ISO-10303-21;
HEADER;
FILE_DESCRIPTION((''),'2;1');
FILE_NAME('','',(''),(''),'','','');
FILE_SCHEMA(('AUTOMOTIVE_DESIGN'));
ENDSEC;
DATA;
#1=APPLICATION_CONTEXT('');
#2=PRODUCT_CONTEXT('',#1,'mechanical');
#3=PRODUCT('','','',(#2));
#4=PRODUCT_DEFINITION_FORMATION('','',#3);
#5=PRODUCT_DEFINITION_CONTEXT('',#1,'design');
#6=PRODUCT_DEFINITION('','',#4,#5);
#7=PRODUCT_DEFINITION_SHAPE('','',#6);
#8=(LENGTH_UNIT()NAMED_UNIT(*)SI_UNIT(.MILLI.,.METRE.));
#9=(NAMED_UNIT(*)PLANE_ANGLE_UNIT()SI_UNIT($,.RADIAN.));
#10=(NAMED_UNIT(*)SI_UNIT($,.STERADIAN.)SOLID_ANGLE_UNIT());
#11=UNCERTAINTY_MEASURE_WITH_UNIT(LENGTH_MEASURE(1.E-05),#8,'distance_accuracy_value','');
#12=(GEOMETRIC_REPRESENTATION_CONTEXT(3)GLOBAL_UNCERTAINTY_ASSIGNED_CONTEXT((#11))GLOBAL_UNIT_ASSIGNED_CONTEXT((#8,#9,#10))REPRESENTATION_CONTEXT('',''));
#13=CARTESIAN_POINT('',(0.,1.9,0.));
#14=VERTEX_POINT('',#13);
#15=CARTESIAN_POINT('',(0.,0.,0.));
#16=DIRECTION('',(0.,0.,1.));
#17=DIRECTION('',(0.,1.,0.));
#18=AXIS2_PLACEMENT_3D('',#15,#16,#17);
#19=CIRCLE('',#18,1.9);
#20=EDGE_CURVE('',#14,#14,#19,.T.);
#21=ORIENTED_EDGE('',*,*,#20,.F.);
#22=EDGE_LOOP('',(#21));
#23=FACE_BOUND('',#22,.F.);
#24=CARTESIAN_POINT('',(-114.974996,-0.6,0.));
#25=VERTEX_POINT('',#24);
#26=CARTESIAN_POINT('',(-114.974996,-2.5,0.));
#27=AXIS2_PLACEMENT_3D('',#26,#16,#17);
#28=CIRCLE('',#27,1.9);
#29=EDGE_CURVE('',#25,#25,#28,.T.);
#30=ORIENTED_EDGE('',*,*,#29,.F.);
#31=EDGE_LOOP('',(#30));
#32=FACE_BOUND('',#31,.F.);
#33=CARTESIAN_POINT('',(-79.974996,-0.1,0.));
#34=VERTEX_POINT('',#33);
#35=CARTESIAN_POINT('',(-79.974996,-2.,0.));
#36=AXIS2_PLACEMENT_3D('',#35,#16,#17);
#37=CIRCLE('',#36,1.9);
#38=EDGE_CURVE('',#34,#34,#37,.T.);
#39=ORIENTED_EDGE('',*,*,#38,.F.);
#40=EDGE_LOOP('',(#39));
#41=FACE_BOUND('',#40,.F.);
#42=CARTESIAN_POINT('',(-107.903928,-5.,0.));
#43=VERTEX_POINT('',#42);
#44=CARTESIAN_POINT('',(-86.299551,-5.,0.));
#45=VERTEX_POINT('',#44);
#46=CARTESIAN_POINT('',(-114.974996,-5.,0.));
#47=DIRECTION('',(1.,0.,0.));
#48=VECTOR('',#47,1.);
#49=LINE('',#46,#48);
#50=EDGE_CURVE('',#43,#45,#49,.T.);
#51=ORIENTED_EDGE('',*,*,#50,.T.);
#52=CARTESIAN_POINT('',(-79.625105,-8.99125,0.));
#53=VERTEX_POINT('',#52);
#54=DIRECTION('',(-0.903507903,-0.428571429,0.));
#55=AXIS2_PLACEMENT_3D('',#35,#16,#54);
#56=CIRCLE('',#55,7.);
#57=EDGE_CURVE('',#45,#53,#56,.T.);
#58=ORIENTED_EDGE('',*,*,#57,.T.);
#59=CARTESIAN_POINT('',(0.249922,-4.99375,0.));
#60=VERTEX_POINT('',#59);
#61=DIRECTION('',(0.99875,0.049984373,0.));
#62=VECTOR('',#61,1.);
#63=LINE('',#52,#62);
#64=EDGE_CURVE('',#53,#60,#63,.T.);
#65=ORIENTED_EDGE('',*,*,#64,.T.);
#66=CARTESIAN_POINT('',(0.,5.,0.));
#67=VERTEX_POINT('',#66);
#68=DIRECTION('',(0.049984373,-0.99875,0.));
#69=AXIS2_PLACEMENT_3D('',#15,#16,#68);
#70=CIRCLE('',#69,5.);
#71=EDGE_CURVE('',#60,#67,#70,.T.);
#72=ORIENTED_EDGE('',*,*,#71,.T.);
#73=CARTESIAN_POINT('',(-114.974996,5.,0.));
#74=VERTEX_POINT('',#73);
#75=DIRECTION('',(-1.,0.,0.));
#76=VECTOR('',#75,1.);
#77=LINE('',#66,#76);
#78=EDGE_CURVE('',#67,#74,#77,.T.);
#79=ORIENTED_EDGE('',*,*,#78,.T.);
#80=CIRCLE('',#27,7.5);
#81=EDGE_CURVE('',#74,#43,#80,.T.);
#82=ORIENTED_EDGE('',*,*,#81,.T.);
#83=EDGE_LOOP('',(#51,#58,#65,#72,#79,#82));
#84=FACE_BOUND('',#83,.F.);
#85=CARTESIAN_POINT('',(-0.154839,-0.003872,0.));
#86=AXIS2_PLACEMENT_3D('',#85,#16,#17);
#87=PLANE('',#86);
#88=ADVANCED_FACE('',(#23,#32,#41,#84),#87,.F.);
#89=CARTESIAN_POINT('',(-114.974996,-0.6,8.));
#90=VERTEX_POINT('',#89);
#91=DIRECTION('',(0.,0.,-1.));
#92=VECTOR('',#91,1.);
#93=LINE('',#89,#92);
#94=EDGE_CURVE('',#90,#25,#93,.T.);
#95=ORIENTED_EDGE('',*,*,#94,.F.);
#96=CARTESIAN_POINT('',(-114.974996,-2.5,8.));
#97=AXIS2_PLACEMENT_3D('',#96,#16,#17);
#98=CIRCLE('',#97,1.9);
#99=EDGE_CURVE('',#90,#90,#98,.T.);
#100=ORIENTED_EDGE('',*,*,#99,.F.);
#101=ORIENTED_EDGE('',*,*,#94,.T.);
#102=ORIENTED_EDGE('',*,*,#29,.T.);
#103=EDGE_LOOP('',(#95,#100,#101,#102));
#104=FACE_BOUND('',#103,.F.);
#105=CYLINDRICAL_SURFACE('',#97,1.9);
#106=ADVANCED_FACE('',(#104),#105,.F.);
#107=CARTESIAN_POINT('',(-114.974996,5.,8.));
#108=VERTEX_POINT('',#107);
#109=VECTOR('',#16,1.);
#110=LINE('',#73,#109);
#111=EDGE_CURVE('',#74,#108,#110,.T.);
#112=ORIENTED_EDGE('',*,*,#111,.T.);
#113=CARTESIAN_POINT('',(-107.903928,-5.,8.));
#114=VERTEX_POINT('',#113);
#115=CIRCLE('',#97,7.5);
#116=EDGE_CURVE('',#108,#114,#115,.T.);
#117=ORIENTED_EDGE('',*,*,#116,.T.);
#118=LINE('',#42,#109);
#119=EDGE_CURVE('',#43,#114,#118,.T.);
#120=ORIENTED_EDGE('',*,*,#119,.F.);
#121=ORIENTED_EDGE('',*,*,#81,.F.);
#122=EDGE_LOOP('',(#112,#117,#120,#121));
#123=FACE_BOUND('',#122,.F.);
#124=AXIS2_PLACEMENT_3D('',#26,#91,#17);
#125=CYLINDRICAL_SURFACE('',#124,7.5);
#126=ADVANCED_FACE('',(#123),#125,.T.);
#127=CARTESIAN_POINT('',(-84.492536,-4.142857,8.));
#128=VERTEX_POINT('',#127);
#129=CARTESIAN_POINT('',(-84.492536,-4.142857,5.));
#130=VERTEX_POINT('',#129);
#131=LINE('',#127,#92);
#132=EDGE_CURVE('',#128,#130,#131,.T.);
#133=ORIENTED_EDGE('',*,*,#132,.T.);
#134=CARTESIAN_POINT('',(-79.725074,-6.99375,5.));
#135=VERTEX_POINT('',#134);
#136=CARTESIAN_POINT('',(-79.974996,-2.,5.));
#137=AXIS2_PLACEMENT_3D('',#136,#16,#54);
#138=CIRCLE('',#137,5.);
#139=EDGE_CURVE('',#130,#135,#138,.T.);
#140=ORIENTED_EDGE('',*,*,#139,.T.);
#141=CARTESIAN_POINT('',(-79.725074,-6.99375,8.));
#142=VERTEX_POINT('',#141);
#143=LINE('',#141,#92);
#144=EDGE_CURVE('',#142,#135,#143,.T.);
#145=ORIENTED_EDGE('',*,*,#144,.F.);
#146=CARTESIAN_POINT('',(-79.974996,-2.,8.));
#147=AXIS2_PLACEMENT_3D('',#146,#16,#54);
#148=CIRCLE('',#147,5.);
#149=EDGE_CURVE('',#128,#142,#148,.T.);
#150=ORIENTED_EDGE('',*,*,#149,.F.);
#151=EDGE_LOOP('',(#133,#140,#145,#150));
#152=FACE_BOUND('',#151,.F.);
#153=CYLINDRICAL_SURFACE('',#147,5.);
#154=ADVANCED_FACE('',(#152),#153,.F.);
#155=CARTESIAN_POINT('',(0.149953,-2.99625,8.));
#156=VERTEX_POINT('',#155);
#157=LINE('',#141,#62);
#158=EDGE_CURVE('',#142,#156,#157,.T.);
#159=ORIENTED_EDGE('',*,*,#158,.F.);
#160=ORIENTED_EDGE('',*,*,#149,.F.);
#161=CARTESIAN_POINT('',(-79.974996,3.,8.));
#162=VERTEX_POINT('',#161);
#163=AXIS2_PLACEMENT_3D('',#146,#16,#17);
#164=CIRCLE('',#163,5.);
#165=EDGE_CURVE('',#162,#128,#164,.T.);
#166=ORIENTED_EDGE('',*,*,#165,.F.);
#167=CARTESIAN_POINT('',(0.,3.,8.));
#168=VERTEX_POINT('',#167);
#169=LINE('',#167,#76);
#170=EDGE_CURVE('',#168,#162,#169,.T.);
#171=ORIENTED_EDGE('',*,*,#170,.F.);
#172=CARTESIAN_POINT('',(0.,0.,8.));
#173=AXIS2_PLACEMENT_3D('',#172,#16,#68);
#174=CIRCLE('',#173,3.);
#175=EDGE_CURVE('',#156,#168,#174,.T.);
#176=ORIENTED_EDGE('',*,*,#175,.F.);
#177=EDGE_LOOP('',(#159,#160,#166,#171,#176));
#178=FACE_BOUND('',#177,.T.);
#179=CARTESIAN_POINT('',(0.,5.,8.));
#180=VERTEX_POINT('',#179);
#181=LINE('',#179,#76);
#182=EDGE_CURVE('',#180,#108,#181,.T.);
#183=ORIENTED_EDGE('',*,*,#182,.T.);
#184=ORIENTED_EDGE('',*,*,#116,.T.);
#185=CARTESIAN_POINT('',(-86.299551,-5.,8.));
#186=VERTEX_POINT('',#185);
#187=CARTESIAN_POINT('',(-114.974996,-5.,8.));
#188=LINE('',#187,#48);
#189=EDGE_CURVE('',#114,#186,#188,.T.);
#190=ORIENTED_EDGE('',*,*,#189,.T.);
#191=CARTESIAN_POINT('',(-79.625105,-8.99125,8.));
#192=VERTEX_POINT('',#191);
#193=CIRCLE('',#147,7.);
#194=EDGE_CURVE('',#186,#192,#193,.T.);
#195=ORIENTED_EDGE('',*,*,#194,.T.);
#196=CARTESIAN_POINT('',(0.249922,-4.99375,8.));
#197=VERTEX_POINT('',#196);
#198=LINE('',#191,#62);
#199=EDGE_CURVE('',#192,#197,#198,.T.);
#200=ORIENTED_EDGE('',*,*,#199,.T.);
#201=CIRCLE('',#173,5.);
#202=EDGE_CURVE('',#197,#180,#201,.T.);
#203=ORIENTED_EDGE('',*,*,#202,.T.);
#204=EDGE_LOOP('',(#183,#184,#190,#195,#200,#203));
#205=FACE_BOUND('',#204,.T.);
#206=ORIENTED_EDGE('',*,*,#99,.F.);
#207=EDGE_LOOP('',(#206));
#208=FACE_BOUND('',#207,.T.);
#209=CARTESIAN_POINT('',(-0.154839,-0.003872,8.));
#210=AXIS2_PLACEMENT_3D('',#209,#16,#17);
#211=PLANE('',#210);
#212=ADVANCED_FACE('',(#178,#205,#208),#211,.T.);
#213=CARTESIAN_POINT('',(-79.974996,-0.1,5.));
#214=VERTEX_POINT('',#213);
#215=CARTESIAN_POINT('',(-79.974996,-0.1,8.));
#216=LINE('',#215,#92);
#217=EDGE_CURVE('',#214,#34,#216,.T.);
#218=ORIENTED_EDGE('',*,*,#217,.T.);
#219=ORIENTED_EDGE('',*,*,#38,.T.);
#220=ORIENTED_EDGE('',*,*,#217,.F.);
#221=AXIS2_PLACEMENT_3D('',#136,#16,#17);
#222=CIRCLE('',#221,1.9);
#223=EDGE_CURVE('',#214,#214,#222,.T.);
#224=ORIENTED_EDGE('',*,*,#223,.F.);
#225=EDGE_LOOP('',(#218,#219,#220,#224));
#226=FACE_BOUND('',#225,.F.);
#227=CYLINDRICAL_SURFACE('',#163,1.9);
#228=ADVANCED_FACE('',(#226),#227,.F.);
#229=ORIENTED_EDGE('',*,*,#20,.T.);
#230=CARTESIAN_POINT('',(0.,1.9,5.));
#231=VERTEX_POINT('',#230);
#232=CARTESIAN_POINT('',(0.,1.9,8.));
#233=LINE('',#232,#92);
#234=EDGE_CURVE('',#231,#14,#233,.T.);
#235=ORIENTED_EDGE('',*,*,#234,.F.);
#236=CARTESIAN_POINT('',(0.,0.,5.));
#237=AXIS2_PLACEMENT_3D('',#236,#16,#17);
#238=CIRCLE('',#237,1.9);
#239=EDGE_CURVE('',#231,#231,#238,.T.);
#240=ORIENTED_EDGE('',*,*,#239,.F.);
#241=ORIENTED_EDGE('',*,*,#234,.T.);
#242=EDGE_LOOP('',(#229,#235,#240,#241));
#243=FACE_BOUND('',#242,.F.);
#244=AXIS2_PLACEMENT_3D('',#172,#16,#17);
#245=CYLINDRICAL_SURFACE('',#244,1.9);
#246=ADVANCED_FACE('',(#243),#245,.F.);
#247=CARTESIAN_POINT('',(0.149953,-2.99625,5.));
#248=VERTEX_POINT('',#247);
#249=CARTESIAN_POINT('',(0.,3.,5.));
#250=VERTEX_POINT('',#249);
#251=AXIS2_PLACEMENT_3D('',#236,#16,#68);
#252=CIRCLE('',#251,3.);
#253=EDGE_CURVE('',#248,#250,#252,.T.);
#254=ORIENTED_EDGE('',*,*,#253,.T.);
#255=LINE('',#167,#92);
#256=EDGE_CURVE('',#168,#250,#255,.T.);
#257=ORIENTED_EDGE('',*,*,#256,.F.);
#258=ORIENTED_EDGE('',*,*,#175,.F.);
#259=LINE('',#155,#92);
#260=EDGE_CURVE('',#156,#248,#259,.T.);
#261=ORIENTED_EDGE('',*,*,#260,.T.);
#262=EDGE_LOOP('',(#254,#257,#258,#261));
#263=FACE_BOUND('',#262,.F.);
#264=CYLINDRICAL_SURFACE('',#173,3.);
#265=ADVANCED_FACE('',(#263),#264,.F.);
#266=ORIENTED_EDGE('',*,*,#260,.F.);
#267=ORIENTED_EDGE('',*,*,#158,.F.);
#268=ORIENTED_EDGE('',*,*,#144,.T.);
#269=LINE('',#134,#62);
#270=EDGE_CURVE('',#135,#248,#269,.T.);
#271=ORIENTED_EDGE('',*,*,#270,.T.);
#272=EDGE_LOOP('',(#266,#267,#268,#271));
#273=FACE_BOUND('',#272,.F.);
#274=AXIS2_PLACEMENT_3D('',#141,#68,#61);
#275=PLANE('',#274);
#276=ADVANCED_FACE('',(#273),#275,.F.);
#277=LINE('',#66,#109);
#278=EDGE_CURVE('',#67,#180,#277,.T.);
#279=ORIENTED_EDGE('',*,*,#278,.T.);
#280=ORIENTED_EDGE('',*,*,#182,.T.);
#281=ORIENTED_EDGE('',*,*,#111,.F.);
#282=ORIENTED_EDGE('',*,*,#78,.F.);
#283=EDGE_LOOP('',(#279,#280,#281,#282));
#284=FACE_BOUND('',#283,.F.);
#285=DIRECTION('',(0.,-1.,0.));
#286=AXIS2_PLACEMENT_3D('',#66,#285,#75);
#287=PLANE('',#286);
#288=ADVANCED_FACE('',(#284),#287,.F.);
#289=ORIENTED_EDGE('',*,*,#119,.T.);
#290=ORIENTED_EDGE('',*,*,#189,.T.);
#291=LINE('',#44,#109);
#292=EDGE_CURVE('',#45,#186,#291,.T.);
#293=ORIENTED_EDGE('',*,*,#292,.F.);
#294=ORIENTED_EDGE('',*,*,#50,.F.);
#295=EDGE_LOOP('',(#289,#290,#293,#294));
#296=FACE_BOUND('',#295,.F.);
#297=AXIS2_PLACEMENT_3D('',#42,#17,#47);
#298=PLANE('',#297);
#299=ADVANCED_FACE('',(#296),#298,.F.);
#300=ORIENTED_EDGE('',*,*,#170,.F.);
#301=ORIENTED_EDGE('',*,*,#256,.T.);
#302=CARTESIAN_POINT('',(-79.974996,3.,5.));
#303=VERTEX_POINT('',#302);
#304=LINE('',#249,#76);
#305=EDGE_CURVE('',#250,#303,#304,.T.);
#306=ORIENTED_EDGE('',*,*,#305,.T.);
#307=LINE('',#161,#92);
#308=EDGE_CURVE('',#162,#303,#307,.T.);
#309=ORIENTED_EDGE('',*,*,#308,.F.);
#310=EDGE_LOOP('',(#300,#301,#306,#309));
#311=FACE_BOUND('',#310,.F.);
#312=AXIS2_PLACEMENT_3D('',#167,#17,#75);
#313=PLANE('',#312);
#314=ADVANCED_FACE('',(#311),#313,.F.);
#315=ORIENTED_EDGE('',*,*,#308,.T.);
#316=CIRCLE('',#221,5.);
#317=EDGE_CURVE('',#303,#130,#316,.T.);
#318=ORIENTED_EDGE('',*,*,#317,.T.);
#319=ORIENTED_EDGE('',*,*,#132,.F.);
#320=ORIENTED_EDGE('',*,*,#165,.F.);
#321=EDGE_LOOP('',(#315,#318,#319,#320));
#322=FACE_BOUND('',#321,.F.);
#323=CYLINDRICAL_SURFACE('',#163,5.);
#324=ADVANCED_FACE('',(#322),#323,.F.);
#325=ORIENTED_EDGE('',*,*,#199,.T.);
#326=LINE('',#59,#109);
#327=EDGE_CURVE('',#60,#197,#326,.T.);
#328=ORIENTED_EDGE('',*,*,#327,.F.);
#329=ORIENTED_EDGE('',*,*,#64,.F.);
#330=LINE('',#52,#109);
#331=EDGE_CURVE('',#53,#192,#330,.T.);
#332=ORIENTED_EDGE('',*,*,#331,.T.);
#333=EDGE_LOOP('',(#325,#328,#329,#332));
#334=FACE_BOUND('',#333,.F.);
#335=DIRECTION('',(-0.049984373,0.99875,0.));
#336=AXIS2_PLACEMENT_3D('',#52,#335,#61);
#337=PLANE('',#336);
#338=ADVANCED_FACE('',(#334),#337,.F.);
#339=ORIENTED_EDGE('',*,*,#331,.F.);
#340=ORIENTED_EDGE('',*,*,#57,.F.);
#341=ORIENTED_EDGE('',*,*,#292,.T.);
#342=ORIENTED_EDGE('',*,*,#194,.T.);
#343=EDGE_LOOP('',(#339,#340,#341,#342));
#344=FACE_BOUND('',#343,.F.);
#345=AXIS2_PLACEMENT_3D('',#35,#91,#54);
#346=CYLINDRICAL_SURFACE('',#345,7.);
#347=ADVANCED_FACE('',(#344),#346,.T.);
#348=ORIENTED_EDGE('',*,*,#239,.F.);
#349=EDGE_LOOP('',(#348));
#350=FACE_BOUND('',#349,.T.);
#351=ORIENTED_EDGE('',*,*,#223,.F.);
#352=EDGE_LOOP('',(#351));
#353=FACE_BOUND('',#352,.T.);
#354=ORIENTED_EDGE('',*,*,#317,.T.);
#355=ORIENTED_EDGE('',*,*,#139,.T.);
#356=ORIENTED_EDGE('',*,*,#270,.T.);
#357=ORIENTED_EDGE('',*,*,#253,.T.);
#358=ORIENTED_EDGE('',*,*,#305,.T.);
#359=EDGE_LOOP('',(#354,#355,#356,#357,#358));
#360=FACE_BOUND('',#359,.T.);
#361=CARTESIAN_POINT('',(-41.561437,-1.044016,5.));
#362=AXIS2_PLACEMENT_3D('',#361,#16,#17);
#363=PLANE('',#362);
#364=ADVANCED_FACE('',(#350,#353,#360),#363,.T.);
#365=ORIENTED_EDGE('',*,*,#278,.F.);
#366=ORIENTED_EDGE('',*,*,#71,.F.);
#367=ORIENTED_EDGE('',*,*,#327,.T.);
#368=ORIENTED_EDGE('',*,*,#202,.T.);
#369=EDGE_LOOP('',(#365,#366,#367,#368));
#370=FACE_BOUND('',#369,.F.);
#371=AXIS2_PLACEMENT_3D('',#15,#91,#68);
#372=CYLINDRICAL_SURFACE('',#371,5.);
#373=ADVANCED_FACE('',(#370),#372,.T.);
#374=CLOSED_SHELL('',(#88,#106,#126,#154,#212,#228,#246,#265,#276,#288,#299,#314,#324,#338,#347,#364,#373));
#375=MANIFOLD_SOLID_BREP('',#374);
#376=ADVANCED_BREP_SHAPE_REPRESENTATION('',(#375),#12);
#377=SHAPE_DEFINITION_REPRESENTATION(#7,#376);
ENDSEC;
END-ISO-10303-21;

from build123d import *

# Parameters (mm, degrees)
F1_DEPTH = 8
F2_R     = 1.9
F3_DEPTH = 8.001
F5_DEPTH = 3
F6_ANGLE = 90


with BuildPart() as f1:
    # F0 (on Top) → F1 (new body)
    with BuildSketch(Plane.XY):
        with BuildLine():
            ThreePointArc((-0.125, 4.9984372558), (-3.6656130115, 3.4004825025), (-4.99375, -0.2499218628))
            ThreePointArc((-4.99375, -0.2499218628), (0.125, -4.9984372558), (5, 0))
            ThreePointArc((5, 0), (3.4910600109, 3.5794552658), (-0.125, 4.9984372558))
        make_face()
        with BuildLine():
            Line((-8.99125, 79.6251054846), (-4.99375, -0.2499218628))
            ThreePointArc((-4.99375, -0.2499218628), (-3.6656130115, 3.4004825025), (-0.125, 4.9984372558))
            Line((-0.125, 4.9984372558), (-1.825, 72.9771839344))
            ThreePointArc((-1.825, 72.9771839344), (-6.7606755035, 74.8431378764), (-8.99125, 79.6251054846))
        make_face()
        with BuildLine():
            ThreePointArc((-0.125, 4.9984372558), (3.4910600109, 3.5794552658), (5, 0))
            Line((5, 0), (5, 79.9749960925))
            ThreePointArc((5, 79.9749960925), (3.0112373721, 75.0875120772), (-1.825, 72.9771839344))
            Line((-1.825, 72.9771839344), (-0.125, 4.9984372558))
        make_face()
        with BuildLine():
            ThreePointArc((-5, 86.2995514129), (-8.0077721539, 83.567582034), (-8.99125, 79.6251054846))
            ThreePointArc((-8.99125, 79.6251054846), (-6.7606755035, 74.8431378764), (-1.825, 72.9771839344))
            Line((-1.825, 72.9771839344), (-2, 79.9749960925))
            Line((-2, 79.9749960925), (-5, 79.9749960925))
            Line((-5, 79.9749960925), (-5, 86.2995514129))
        make_face()
        with BuildLine():
            Line((-2, 79.9749960925), (5, 79.9749960925))
            ThreePointArc((5, 79.9749960925), (1.7416573868, 85.8910758756), (-5, 86.2995514129))
            Line((-5, 86.2995514129), (-5, 79.9749960925))
            Line((-5, 79.9749960925), (-2, 79.9749960925))
        make_face()
        with BuildLine():
            ThreePointArc((-1.825, 72.9771839344), (3.0112373721, 75.0875120772), (5, 79.9749960925))
            Line((5, 79.9749960925), (-2, 79.9749960925))
            Line((-2, 79.9749960925), (-1.825, 72.9771839344))
        make_face()
        with BuildLine():
            ThreePointArc((-5, 86.2995514129), (1.7416573868, 85.8910758756), (5, 79.9749960925))
            Line((5, 79.9749960925), (5, 114.9749960925))
            ThreePointArc((5, 114.9749960925), (1.8301270189, 108.8512717356), (-5, 107.9039282807))
            Line((-5, 107.9039282807), (-5, 86.2995514129))
        make_face()
        with BuildLine():
            ThreePointArc((-5, 107.9039282807), (1.8301270189, 108.8512717356), (5, 114.9749960925))
            Line((5, 114.9749960925), (-5, 114.9749960925))
            Line((-5, 114.9749960925), (-5, 107.9039282807))
        make_face()
        with BuildLine():
            Line((-5, 114.9749960925), (5, 114.9749960925))
            ThreePointArc((5, 114.9749960925), (-6.8301270189, 121.0987204495), (-5, 107.9039282807))
            Line((-5, 107.9039282807), (-5, 114.9749960925))
        make_face()
    extrude(amount=F1_DEPTH)

    # F2 (on face) → F3 (cut, through all)
    with BuildSketch(Plane.XY.offset(8)):
        with Locations((-2, 79.9749960925)):
            Circle(F2_R)
        with Locations((-2.5, 114.9749960925)):
            Circle(F2_R)
        Circle(F2_R)
    extrude(amount=-F3_DEPTH, mode=Mode.SUBTRACT)

    # F4 (on face) → F5 (cut)
    with BuildSketch(Plane.XY.offset(8)):
        with BuildLine():
            ThreePointArc((-2.99625, -0.1499531177), (0.075, -2.9990623535), (3, 0))
            Line((3, 0), (3, 79.9749960925))
            ThreePointArc((3, 79.9749960925), (0.6726124191, 84.2007673662), (-4.1428571429, 84.4925356071))
            ThreePointArc((-4.1428571429, 84.4925356071), (-6.2912658242, 82.5411289079), (-6.99375, 79.7250742297))
            Line((-6.99375, 79.7250742297), (-2.99625, -0.1499531177))
        make_face()
    extrude(amount=-F5_DEPTH, mode=Mode.SUBTRACT)


with BuildPart() as f1_1:
    # F6: moved
    add(f1.part.rotate(Axis((0, 0, 5), (0, 0, 1)), F6_ANGLE))


solid = f1_1.part
